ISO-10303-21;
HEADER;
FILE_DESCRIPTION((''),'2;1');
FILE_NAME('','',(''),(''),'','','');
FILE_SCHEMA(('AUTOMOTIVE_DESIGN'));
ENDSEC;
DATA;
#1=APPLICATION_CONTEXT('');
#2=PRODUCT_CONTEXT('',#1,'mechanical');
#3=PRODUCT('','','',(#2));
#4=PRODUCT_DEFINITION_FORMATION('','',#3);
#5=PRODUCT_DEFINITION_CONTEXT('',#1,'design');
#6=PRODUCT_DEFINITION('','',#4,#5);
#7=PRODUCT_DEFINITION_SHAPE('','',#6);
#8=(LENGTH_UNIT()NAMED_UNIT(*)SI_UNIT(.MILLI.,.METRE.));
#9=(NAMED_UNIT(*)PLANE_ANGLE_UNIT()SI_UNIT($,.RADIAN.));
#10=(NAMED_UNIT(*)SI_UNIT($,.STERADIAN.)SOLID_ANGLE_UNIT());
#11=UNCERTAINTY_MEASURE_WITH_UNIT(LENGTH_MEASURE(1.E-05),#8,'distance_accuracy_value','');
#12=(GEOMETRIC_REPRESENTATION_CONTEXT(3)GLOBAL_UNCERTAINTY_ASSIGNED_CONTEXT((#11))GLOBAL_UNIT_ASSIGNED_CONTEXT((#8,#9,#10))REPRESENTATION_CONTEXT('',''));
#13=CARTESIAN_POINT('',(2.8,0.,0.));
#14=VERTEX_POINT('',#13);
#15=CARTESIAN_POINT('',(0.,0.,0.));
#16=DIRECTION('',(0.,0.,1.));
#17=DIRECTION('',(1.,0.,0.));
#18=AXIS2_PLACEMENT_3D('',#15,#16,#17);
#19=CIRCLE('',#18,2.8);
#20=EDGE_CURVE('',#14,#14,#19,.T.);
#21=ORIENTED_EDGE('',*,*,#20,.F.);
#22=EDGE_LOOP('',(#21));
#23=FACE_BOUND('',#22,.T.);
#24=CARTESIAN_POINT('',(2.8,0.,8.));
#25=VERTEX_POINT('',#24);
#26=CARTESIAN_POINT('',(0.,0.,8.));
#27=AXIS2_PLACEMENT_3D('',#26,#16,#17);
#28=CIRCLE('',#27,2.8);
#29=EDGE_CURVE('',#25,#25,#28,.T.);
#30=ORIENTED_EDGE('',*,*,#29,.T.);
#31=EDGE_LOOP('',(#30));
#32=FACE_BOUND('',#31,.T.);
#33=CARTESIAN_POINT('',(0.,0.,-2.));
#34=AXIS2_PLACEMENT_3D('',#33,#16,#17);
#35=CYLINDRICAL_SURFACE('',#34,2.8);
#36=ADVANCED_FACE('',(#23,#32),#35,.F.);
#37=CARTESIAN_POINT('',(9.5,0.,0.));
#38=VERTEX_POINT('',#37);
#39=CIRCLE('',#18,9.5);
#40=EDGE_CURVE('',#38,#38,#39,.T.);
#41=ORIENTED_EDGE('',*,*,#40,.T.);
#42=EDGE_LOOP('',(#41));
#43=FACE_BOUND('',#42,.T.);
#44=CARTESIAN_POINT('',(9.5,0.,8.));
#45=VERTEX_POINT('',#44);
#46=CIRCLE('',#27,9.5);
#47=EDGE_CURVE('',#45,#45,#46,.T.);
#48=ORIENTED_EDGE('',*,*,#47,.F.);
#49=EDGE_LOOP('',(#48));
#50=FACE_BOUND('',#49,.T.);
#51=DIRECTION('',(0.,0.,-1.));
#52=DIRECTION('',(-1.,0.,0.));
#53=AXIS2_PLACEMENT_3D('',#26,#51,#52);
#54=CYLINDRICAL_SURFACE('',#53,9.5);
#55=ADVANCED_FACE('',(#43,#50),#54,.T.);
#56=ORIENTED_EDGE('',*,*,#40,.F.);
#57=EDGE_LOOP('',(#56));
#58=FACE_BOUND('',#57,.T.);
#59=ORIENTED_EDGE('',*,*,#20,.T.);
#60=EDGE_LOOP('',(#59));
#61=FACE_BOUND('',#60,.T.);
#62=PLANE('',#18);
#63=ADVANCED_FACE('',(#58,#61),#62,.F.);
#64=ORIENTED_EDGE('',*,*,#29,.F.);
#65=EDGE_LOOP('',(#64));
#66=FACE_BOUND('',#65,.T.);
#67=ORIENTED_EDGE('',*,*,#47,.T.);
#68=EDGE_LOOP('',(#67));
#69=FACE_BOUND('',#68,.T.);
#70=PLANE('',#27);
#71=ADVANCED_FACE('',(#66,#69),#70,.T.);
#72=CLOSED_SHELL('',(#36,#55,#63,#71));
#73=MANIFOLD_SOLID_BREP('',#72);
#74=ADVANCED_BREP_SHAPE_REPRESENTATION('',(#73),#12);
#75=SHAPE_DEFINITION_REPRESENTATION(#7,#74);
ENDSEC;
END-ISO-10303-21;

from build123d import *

# Parameters (mm, degrees)
SKETCH1_R          = 9.5
MAIN_EXTRUDE_DEPTH = 8
SKETCH2_R          = 2.8
CUT_EXTRUDE1_DEPTH = 10


with BuildPart() as part:
    # Sketch1 → Main Extrude (new body)
    with BuildSketch(Plane.XY):
        Circle(SKETCH1_R)
    extrude(amount=MAIN_EXTRUDE_DEPTH)

    # Sketch2 → Cut-Extrude1 (cut)
    with BuildSketch(Plane.XY.offset(8)):
        Circle(SKETCH2_R)
    extrude(amount=-CUT_EXTRUDE1_DEPTH, mode=Mode.SUBTRACT)


solid = part.part
